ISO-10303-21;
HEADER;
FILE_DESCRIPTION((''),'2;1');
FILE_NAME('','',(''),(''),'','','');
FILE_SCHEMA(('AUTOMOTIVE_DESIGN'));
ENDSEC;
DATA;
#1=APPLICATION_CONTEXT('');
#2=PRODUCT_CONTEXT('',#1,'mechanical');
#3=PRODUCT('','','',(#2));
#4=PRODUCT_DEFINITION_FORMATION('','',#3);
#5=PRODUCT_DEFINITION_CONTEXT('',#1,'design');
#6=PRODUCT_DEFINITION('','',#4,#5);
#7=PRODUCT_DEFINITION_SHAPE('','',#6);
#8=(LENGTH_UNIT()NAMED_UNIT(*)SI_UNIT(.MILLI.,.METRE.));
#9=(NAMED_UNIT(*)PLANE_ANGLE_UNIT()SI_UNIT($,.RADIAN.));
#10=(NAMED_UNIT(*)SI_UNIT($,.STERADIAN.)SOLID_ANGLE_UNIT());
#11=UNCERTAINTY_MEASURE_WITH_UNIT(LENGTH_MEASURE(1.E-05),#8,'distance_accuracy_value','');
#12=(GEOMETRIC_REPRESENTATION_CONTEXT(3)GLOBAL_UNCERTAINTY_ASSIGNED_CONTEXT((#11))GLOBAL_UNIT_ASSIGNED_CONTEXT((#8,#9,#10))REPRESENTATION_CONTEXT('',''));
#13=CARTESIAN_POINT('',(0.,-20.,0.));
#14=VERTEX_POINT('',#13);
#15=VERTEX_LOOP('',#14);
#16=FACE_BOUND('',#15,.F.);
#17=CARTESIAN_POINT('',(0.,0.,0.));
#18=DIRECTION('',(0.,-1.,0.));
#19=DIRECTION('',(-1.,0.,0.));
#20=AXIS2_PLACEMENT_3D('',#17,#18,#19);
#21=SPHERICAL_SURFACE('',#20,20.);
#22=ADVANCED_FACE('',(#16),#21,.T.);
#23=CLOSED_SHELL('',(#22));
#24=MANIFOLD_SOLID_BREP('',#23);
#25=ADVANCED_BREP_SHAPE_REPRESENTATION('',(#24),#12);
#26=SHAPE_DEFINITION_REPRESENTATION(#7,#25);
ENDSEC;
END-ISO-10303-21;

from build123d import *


with BuildPart() as part:
    # Sketch1 one side → Revolve1 (revolve)
    with BuildSketch(Plane.XY):
        with BuildLine():
            Line((0, -20), (0, 20))
            ThreePointArc((0, 20), (-20, 0), (0, -20))
        make_face()
    revolve(axis=Axis((0, -20, 0), (0, 1, 0)))


solid = part.part
